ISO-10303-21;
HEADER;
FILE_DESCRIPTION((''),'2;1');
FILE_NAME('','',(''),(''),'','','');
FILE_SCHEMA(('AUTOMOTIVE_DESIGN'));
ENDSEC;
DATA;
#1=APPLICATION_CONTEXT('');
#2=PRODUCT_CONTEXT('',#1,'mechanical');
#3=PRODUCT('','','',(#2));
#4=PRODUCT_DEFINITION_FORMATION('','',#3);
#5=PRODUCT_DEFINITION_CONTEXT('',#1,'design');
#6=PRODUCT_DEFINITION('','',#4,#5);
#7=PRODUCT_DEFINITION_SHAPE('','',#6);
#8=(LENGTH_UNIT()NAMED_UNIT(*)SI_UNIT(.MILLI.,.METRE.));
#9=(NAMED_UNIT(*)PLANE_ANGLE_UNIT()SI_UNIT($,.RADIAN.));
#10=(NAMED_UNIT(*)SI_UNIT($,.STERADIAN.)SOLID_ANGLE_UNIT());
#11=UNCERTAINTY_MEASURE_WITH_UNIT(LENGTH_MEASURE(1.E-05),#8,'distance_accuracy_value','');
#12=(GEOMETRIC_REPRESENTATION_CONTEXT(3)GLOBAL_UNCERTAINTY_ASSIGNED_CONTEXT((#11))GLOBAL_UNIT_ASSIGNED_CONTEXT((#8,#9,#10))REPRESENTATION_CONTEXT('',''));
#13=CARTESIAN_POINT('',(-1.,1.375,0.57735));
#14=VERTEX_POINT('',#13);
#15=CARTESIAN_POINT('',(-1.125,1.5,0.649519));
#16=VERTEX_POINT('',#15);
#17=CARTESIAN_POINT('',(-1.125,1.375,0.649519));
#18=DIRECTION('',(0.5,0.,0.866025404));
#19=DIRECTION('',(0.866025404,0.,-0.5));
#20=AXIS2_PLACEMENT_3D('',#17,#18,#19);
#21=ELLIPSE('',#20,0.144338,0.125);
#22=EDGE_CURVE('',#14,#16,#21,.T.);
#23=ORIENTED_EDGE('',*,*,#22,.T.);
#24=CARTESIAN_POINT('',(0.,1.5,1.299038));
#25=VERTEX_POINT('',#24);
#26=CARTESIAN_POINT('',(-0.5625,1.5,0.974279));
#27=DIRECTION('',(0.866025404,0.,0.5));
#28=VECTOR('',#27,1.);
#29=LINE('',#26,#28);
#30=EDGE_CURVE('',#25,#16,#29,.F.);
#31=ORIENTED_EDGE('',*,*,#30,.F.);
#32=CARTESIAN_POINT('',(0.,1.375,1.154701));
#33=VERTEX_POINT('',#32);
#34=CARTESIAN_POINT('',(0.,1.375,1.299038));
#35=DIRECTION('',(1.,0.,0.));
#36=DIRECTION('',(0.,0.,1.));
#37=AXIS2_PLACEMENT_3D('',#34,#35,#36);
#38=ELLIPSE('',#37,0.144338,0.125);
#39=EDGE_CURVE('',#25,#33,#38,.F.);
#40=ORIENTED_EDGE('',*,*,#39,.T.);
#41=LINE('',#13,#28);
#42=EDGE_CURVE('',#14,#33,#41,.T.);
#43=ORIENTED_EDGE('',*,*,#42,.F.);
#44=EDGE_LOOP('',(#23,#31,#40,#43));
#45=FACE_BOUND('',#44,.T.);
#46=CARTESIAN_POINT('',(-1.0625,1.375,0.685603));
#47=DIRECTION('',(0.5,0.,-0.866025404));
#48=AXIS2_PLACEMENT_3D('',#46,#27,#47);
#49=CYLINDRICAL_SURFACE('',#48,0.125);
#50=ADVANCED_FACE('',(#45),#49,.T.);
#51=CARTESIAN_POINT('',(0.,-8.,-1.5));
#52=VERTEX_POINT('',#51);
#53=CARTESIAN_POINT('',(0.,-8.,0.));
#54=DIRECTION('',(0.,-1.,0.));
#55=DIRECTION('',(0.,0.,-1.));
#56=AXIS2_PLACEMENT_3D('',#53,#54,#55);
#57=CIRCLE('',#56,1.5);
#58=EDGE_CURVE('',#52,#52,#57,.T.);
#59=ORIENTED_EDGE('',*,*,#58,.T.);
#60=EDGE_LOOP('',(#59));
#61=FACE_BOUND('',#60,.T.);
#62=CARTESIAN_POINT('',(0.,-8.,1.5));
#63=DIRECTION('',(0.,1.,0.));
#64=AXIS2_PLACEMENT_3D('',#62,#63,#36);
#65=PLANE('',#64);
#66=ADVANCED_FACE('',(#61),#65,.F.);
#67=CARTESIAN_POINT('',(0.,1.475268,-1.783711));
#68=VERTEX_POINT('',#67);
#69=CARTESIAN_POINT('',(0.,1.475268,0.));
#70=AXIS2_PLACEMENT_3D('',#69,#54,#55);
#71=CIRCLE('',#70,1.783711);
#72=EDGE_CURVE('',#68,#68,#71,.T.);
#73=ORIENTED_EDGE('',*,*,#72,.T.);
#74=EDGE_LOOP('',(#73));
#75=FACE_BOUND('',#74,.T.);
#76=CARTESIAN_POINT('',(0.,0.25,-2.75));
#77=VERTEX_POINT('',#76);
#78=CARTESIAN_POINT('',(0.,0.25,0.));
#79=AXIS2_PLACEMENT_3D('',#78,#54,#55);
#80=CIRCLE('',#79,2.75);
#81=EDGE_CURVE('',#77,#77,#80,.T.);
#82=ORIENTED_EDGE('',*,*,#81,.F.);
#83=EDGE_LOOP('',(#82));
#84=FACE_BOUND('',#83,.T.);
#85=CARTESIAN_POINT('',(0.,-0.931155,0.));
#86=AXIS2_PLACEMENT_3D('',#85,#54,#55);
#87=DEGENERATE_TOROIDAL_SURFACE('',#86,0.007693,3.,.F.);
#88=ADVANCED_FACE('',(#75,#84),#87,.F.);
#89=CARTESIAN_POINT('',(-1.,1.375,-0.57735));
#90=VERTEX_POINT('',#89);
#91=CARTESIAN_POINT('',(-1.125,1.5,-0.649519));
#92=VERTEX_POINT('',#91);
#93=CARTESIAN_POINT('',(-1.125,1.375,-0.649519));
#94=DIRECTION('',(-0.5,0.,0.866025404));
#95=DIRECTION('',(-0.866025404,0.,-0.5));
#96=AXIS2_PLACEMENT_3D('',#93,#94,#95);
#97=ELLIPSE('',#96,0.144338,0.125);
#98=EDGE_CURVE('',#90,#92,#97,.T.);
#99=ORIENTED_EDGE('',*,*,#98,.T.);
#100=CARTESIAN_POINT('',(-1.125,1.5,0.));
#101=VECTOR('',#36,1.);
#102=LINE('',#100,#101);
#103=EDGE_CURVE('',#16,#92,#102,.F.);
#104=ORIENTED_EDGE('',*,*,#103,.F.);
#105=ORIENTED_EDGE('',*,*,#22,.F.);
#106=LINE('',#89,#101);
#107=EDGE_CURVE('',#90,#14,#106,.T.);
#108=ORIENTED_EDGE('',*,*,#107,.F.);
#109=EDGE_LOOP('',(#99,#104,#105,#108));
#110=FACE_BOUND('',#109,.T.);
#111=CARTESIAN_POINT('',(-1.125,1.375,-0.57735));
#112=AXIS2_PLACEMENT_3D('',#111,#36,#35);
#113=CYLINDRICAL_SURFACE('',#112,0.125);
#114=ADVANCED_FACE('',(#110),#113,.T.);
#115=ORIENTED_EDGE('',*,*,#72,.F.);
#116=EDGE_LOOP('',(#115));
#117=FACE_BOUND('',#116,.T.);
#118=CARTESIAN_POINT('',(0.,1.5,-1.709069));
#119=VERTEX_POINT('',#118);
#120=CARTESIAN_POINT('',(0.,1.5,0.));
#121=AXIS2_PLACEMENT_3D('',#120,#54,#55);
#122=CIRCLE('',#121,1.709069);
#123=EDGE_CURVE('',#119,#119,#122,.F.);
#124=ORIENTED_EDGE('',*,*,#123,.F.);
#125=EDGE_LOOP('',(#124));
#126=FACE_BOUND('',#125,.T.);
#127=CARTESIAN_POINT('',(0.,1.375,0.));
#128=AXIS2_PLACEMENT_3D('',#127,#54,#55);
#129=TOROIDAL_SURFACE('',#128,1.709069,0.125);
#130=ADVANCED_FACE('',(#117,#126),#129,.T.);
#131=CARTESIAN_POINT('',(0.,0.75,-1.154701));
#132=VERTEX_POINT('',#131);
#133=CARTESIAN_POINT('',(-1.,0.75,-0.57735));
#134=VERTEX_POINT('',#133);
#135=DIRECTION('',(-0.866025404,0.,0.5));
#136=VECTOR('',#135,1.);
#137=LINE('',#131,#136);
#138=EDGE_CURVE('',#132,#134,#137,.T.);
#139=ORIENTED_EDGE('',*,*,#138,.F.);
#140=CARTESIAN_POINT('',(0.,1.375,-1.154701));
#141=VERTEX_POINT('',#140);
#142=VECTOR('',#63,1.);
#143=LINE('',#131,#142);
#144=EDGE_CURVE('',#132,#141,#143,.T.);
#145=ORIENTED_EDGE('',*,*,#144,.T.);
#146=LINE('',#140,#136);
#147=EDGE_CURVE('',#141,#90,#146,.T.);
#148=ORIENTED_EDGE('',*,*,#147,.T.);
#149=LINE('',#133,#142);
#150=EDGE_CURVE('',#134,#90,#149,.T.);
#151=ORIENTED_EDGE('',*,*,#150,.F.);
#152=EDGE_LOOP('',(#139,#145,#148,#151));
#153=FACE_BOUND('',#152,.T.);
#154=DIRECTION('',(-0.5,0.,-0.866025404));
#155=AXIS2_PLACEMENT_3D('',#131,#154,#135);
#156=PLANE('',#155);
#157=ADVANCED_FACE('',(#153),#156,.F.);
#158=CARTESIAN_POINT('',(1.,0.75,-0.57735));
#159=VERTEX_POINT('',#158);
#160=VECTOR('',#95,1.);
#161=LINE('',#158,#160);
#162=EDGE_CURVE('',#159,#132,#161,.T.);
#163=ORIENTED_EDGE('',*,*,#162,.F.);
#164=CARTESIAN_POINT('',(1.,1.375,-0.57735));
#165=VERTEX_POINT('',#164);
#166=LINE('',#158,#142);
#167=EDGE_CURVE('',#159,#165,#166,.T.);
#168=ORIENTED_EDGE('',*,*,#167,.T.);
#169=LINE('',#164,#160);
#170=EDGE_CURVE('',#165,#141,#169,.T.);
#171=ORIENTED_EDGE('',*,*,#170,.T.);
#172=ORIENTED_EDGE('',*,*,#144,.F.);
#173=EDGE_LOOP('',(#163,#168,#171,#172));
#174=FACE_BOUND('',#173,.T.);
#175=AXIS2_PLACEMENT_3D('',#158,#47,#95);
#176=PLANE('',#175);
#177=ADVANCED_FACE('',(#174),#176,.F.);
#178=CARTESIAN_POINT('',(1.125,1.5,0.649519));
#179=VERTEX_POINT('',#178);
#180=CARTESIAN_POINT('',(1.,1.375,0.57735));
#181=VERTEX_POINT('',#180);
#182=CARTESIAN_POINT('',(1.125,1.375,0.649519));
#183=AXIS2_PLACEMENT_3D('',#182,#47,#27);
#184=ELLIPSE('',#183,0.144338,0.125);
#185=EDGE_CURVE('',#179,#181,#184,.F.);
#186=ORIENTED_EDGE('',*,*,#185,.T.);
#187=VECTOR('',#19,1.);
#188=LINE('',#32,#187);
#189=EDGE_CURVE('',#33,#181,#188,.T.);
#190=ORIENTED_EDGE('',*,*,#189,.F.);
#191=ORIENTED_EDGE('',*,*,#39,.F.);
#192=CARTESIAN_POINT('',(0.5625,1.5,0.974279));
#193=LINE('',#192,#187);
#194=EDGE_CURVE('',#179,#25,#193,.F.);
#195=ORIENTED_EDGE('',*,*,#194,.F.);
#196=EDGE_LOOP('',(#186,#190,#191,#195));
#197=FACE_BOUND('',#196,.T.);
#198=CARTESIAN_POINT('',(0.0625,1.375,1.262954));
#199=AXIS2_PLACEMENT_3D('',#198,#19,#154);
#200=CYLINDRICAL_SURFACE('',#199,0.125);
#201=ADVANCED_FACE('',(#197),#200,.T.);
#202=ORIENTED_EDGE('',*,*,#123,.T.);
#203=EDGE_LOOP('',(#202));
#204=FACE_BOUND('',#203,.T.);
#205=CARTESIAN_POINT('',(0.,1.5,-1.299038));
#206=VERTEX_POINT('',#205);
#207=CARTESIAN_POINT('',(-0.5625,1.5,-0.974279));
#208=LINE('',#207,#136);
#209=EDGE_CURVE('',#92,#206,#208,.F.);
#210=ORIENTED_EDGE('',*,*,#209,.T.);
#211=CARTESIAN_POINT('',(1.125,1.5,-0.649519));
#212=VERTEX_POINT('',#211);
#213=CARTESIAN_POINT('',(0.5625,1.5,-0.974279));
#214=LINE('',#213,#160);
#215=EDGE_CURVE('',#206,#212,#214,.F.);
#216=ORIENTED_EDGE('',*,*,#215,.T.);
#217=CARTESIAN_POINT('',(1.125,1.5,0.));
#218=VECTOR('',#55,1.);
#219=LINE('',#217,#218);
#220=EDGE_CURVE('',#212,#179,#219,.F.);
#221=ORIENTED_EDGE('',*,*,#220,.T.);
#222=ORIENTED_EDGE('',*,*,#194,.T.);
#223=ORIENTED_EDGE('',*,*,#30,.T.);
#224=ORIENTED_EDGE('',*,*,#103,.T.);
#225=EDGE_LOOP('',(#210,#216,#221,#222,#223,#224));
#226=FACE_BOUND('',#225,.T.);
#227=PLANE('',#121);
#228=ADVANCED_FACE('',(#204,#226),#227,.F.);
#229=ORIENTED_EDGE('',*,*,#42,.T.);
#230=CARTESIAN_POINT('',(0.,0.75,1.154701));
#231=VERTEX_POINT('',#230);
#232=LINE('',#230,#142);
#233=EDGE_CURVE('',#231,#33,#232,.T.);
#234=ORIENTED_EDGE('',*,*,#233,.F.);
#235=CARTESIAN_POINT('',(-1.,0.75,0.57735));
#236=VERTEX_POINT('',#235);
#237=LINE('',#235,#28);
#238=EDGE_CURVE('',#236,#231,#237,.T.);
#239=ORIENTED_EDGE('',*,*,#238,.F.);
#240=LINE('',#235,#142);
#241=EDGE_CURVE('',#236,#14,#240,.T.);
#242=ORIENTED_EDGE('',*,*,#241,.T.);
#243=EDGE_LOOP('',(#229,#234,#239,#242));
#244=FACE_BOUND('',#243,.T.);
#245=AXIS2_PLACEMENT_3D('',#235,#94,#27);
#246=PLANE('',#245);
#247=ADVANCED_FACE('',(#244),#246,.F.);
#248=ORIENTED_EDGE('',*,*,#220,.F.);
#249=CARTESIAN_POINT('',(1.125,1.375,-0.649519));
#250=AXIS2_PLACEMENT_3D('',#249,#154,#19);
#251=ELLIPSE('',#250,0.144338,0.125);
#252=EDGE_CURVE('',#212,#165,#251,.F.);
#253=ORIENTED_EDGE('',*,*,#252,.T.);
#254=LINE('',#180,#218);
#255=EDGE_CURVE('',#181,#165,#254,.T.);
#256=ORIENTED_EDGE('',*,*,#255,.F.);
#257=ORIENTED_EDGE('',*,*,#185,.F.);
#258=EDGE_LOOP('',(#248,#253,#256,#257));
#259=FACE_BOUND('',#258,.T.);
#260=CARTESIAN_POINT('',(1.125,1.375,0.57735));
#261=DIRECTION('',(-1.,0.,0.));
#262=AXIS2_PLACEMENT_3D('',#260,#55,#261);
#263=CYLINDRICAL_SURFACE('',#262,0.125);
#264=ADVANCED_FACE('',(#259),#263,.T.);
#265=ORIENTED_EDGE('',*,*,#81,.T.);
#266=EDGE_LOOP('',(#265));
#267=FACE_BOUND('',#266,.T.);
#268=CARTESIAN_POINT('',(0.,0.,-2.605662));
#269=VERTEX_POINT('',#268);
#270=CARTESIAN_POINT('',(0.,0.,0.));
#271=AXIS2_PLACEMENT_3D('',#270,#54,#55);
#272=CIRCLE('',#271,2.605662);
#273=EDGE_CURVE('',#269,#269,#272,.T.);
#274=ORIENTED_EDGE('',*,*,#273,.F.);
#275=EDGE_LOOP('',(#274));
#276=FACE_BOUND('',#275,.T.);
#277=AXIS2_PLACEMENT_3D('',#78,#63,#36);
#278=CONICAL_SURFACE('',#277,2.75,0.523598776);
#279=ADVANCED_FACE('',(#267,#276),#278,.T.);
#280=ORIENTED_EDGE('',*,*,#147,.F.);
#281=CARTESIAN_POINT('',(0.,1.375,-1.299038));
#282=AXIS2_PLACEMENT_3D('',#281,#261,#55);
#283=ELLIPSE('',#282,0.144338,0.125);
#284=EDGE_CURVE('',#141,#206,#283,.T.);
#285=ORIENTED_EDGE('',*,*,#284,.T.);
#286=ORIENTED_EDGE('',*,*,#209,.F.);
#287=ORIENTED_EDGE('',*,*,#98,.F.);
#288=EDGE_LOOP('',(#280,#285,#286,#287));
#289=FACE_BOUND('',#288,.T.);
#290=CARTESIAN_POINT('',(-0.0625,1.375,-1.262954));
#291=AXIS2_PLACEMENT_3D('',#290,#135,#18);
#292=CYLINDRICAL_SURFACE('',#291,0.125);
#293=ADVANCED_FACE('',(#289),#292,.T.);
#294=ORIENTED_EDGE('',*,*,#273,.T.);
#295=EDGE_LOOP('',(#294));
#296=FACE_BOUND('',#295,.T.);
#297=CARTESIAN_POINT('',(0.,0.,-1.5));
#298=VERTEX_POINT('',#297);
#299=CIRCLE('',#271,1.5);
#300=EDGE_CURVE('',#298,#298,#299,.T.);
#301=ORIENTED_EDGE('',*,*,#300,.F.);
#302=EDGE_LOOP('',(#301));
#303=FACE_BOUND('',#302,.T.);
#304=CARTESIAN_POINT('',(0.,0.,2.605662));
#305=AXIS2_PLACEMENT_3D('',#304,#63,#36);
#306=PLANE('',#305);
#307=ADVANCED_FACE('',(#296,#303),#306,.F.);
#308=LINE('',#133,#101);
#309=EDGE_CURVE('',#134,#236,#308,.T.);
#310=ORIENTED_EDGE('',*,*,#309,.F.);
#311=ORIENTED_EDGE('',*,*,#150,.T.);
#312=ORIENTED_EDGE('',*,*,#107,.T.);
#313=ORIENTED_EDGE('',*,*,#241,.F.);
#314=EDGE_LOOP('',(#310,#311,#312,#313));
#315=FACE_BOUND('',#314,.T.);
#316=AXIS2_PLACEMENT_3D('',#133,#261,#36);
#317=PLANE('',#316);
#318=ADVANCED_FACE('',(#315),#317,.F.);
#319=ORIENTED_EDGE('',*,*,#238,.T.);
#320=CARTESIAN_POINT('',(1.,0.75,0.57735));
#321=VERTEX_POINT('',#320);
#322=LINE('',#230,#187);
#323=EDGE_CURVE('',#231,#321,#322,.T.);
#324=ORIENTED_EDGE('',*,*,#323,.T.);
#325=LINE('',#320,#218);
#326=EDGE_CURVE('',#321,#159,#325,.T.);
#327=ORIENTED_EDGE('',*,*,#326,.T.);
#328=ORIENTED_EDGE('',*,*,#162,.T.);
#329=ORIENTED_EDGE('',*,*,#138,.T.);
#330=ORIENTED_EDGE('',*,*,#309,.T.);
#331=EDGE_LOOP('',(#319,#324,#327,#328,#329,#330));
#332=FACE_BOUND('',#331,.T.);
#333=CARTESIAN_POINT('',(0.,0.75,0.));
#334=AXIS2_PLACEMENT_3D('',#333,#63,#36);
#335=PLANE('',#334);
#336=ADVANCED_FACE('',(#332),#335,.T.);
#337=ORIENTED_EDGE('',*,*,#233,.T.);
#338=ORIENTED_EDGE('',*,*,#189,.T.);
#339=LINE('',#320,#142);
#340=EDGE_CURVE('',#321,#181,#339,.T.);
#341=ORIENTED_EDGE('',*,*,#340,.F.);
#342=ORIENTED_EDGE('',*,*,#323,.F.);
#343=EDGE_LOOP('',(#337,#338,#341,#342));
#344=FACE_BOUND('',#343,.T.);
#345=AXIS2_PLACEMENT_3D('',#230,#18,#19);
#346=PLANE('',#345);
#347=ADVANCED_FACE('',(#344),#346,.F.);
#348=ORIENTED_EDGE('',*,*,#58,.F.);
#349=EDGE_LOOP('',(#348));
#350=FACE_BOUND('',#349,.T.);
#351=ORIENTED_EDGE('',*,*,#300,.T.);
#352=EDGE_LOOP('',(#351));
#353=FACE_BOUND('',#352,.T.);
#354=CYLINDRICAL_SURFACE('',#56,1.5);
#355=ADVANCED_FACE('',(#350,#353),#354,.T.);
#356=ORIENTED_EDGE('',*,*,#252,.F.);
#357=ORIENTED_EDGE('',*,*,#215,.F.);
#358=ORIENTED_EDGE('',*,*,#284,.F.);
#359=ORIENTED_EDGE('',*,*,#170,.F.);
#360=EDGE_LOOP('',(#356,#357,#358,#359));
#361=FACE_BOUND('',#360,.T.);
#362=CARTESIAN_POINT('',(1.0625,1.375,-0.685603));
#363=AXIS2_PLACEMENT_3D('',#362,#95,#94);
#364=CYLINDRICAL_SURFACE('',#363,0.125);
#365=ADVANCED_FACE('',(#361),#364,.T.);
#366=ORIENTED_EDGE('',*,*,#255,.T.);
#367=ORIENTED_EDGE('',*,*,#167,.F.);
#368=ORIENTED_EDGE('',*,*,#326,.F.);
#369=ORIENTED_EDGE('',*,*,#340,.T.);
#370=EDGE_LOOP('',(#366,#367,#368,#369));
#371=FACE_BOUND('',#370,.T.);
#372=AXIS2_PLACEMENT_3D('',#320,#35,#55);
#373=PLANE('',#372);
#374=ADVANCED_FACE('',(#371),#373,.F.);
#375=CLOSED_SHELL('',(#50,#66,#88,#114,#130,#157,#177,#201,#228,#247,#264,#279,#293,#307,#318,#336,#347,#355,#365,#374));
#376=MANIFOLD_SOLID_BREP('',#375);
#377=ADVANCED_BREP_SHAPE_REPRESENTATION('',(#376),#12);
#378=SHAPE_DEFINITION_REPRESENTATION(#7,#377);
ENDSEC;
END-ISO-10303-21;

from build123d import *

# Parameters (mm, degrees)
CUT_EXTRUDE1_DEPTH = 0.75
FILLET1_R          = 0.125


with BuildPart() as part:
    # Sketch1 → Revolve1 (revolve)
    with BuildSketch(Plane(origin=(0, 0, 0), x_dir=(0, 0, -1), z_dir=(1, 0, 0))):
        with BuildLine():
            Line((0, 1.5), (-1.75, 1.5))
            ThreePointArc((-1.75, 1.5), (-2.334912942, 0.942930354), (-2.75, 0.25))
            Line((-2.75, 0.25), (-2.605662433, 0))
            Line((-2.605662433, 0), (-1.5, 0))
            Line((-1.5, 0), (-1.5, -8))
            Line((-1.5, -8), (0, -8))
            Line((0, -8), (0, 1.5))
        make_face()
    revolve(axis=Axis((0, -8, 0), (0, 1, 0)))

    # Sketch2 → Cut-Extrude1 (cut)
    with BuildSketch(Plane(origin=(0, 1.5, 0), x_dir=(1, 0, 0), z_dir=(0, 1, 0))):
        Polygon((0, 1.154700538), (-1, 0.577350269), (-1, -0.577350269), (0, -1.154700538), (1, -0.577350269), (1, 0.577350269), align=None)
    extrude(amount=-CUT_EXTRUDE1_DEPTH, mode=Mode.SUBTRACT)

    # Fillet1
    fillet1_edges = [part.edges().sort_by_distance(p)[0] for p in [
        (0.5, 1.5, -0.866025404),
        (-0.5, 1.5, -0.866025404),
        (-1, 1.5, 0),
        (-0.5, 1.5, 0.866025404),
        (0.5, 1.5, 0.866025404),
        (1, 1.5, 0),
        (0, 1.5, -1.75),
    ]]
    fillet(fillet1_edges, radius=FILLET1_R)


solid = part.part
